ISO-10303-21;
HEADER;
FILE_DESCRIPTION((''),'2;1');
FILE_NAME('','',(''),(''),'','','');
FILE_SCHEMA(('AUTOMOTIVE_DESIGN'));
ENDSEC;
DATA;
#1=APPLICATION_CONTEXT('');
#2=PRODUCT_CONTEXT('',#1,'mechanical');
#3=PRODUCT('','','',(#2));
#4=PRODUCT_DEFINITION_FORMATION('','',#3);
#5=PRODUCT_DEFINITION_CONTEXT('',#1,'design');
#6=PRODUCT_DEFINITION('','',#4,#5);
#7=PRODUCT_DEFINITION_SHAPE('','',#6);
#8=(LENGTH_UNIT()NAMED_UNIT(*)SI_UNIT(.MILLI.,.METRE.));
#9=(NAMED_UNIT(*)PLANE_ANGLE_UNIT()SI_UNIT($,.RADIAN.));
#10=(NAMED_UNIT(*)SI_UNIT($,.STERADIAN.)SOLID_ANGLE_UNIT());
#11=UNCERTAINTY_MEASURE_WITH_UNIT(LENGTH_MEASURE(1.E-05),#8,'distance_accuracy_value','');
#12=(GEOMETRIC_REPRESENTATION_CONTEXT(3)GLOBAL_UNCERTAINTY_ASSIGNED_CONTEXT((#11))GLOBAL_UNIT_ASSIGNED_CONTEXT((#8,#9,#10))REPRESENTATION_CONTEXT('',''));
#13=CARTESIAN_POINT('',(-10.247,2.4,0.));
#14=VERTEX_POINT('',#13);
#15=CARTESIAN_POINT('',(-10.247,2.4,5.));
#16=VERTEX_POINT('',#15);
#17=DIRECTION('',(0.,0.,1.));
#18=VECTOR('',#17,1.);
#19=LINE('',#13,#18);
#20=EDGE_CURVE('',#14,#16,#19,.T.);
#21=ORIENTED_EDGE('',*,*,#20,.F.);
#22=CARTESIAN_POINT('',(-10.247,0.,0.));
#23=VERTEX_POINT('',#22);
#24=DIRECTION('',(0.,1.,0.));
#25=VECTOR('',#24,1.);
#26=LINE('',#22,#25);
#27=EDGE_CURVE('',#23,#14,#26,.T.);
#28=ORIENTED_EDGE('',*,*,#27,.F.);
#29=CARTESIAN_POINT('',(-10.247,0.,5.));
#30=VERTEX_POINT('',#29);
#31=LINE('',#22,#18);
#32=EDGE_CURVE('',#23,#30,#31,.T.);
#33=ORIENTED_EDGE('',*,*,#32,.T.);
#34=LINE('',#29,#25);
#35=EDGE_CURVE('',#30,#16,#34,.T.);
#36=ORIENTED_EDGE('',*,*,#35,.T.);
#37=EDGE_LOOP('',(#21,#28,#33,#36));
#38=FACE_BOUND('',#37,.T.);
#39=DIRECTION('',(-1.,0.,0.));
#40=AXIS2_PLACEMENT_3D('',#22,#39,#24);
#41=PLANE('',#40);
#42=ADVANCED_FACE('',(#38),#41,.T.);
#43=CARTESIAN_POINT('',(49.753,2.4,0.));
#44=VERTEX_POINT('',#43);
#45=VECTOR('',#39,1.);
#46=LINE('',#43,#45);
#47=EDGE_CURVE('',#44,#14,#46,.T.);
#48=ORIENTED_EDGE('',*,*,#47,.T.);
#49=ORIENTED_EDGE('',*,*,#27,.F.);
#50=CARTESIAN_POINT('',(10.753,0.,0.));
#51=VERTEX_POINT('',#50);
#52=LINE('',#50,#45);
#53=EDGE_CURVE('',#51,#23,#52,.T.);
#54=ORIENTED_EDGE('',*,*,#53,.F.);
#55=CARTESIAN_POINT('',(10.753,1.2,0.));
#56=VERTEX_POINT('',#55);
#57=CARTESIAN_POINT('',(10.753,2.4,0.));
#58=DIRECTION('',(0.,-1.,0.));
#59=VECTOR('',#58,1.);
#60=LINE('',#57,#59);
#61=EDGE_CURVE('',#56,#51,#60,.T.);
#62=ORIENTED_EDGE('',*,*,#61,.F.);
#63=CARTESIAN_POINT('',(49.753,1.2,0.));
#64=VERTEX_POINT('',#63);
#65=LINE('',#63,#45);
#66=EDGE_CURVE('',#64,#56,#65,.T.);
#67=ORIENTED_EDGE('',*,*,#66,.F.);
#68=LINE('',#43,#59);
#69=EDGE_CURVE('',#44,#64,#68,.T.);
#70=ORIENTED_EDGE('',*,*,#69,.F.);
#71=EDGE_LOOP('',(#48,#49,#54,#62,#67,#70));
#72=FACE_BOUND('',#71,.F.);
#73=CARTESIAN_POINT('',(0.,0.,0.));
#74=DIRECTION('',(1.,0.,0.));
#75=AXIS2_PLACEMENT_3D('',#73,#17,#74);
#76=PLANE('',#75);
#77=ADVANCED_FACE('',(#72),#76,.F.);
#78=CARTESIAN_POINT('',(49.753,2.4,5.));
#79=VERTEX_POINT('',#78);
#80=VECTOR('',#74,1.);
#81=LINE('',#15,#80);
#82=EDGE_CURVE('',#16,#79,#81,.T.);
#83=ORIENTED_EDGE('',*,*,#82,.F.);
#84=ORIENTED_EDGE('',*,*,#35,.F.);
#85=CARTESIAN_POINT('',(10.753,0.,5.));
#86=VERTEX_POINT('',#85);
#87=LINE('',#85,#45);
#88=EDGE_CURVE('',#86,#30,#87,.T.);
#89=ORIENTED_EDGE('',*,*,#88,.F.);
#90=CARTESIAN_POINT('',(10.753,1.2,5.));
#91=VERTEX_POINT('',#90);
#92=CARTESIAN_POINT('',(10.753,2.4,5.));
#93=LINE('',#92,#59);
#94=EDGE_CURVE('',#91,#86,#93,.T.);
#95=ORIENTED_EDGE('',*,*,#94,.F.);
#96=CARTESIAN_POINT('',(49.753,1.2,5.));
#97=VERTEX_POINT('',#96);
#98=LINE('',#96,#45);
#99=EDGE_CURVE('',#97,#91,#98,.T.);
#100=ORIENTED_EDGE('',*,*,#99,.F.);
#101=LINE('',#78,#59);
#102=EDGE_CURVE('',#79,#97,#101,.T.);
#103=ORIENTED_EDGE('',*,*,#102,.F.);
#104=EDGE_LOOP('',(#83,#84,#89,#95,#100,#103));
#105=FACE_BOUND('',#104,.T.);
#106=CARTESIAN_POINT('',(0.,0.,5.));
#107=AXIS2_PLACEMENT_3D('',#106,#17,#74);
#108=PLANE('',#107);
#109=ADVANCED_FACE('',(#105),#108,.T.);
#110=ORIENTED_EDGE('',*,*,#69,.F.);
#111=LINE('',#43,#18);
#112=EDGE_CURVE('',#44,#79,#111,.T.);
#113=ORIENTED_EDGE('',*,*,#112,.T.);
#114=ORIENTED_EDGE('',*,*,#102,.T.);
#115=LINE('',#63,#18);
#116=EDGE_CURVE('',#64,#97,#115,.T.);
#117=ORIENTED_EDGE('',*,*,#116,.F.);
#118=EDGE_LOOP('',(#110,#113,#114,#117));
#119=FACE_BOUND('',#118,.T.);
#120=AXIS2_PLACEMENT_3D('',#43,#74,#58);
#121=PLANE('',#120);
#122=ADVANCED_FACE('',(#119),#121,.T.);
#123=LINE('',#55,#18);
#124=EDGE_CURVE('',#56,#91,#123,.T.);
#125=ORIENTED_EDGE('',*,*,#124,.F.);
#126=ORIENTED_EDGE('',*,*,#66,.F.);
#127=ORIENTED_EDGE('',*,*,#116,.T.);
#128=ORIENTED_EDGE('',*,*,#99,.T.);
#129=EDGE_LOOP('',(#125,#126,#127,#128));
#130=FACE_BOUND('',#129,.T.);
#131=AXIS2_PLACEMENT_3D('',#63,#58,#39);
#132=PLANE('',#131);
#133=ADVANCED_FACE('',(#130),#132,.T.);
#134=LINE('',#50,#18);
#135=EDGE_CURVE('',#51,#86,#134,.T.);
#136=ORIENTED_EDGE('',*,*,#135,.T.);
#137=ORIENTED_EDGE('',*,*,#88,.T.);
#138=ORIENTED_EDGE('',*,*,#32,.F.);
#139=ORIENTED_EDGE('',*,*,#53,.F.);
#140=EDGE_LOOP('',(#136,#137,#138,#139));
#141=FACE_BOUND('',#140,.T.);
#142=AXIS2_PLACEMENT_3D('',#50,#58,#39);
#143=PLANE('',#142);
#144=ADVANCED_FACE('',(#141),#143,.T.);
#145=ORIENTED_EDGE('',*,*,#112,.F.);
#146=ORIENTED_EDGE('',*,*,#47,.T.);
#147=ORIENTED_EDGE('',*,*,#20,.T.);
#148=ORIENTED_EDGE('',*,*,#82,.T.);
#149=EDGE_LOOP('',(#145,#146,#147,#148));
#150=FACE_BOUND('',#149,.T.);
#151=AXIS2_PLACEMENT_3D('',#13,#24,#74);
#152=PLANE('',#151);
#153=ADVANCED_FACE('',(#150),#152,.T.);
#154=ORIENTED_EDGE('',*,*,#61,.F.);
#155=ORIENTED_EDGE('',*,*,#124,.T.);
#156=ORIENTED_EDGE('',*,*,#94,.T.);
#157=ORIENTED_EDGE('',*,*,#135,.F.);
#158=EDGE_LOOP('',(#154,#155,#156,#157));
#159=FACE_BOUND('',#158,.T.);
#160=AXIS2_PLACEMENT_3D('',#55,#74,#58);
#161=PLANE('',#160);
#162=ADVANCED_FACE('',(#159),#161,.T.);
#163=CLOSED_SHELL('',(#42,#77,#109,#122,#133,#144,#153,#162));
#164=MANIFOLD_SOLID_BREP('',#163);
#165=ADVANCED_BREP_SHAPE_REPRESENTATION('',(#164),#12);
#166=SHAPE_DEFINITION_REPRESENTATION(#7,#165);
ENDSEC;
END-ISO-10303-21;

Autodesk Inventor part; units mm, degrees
ref_plane "YZ Plane" through (0, 0, 0) normal (1, 0, 0) x (0, 1, 0)
ref_plane "XZ Plane" through (0, 0, 0) normal (0, 1, 0) x (-1, 0, 0)
ref_plane "XY Plane" through (0, 0, 0) normal (0, 0, 1) x (1, 0, 0)
sketch "Sketch1" plane through (0, 0, 0) normal (0, 0, 1) x (1, 0, 0)
  line L0 (-10.247, 2.4) -> (10.753, 2.4)
  line L1 (10.753, 2.4) -> (10.753, 0)
  line L2 (10.753, 0) -> (-10.247, 0)
  line L3 (-10.247, 0) -> (-10.247, 2.4)
  line L4 (10.753, 2.4) -> (49.753, 2.4)
  line L5 (49.753, 2.4) -> (49.753, 1.2)
  line L6 (49.753, 1.2) -> (10.753, 1.2)
  line L7 (10.753, 1.2) -> (10.753, 2.4)
  point P0 (0, 0)
  dimension "d0" = 2.4
  dimension "d1" = 1.2
  dimension "d2" = 60
  dimension "d3" = 21
  dimension "d4" = 1.2
extrude "Extrusion1" add sketch "Sketch1" along normal blind 5
properties part number "Bend Fix arm"
